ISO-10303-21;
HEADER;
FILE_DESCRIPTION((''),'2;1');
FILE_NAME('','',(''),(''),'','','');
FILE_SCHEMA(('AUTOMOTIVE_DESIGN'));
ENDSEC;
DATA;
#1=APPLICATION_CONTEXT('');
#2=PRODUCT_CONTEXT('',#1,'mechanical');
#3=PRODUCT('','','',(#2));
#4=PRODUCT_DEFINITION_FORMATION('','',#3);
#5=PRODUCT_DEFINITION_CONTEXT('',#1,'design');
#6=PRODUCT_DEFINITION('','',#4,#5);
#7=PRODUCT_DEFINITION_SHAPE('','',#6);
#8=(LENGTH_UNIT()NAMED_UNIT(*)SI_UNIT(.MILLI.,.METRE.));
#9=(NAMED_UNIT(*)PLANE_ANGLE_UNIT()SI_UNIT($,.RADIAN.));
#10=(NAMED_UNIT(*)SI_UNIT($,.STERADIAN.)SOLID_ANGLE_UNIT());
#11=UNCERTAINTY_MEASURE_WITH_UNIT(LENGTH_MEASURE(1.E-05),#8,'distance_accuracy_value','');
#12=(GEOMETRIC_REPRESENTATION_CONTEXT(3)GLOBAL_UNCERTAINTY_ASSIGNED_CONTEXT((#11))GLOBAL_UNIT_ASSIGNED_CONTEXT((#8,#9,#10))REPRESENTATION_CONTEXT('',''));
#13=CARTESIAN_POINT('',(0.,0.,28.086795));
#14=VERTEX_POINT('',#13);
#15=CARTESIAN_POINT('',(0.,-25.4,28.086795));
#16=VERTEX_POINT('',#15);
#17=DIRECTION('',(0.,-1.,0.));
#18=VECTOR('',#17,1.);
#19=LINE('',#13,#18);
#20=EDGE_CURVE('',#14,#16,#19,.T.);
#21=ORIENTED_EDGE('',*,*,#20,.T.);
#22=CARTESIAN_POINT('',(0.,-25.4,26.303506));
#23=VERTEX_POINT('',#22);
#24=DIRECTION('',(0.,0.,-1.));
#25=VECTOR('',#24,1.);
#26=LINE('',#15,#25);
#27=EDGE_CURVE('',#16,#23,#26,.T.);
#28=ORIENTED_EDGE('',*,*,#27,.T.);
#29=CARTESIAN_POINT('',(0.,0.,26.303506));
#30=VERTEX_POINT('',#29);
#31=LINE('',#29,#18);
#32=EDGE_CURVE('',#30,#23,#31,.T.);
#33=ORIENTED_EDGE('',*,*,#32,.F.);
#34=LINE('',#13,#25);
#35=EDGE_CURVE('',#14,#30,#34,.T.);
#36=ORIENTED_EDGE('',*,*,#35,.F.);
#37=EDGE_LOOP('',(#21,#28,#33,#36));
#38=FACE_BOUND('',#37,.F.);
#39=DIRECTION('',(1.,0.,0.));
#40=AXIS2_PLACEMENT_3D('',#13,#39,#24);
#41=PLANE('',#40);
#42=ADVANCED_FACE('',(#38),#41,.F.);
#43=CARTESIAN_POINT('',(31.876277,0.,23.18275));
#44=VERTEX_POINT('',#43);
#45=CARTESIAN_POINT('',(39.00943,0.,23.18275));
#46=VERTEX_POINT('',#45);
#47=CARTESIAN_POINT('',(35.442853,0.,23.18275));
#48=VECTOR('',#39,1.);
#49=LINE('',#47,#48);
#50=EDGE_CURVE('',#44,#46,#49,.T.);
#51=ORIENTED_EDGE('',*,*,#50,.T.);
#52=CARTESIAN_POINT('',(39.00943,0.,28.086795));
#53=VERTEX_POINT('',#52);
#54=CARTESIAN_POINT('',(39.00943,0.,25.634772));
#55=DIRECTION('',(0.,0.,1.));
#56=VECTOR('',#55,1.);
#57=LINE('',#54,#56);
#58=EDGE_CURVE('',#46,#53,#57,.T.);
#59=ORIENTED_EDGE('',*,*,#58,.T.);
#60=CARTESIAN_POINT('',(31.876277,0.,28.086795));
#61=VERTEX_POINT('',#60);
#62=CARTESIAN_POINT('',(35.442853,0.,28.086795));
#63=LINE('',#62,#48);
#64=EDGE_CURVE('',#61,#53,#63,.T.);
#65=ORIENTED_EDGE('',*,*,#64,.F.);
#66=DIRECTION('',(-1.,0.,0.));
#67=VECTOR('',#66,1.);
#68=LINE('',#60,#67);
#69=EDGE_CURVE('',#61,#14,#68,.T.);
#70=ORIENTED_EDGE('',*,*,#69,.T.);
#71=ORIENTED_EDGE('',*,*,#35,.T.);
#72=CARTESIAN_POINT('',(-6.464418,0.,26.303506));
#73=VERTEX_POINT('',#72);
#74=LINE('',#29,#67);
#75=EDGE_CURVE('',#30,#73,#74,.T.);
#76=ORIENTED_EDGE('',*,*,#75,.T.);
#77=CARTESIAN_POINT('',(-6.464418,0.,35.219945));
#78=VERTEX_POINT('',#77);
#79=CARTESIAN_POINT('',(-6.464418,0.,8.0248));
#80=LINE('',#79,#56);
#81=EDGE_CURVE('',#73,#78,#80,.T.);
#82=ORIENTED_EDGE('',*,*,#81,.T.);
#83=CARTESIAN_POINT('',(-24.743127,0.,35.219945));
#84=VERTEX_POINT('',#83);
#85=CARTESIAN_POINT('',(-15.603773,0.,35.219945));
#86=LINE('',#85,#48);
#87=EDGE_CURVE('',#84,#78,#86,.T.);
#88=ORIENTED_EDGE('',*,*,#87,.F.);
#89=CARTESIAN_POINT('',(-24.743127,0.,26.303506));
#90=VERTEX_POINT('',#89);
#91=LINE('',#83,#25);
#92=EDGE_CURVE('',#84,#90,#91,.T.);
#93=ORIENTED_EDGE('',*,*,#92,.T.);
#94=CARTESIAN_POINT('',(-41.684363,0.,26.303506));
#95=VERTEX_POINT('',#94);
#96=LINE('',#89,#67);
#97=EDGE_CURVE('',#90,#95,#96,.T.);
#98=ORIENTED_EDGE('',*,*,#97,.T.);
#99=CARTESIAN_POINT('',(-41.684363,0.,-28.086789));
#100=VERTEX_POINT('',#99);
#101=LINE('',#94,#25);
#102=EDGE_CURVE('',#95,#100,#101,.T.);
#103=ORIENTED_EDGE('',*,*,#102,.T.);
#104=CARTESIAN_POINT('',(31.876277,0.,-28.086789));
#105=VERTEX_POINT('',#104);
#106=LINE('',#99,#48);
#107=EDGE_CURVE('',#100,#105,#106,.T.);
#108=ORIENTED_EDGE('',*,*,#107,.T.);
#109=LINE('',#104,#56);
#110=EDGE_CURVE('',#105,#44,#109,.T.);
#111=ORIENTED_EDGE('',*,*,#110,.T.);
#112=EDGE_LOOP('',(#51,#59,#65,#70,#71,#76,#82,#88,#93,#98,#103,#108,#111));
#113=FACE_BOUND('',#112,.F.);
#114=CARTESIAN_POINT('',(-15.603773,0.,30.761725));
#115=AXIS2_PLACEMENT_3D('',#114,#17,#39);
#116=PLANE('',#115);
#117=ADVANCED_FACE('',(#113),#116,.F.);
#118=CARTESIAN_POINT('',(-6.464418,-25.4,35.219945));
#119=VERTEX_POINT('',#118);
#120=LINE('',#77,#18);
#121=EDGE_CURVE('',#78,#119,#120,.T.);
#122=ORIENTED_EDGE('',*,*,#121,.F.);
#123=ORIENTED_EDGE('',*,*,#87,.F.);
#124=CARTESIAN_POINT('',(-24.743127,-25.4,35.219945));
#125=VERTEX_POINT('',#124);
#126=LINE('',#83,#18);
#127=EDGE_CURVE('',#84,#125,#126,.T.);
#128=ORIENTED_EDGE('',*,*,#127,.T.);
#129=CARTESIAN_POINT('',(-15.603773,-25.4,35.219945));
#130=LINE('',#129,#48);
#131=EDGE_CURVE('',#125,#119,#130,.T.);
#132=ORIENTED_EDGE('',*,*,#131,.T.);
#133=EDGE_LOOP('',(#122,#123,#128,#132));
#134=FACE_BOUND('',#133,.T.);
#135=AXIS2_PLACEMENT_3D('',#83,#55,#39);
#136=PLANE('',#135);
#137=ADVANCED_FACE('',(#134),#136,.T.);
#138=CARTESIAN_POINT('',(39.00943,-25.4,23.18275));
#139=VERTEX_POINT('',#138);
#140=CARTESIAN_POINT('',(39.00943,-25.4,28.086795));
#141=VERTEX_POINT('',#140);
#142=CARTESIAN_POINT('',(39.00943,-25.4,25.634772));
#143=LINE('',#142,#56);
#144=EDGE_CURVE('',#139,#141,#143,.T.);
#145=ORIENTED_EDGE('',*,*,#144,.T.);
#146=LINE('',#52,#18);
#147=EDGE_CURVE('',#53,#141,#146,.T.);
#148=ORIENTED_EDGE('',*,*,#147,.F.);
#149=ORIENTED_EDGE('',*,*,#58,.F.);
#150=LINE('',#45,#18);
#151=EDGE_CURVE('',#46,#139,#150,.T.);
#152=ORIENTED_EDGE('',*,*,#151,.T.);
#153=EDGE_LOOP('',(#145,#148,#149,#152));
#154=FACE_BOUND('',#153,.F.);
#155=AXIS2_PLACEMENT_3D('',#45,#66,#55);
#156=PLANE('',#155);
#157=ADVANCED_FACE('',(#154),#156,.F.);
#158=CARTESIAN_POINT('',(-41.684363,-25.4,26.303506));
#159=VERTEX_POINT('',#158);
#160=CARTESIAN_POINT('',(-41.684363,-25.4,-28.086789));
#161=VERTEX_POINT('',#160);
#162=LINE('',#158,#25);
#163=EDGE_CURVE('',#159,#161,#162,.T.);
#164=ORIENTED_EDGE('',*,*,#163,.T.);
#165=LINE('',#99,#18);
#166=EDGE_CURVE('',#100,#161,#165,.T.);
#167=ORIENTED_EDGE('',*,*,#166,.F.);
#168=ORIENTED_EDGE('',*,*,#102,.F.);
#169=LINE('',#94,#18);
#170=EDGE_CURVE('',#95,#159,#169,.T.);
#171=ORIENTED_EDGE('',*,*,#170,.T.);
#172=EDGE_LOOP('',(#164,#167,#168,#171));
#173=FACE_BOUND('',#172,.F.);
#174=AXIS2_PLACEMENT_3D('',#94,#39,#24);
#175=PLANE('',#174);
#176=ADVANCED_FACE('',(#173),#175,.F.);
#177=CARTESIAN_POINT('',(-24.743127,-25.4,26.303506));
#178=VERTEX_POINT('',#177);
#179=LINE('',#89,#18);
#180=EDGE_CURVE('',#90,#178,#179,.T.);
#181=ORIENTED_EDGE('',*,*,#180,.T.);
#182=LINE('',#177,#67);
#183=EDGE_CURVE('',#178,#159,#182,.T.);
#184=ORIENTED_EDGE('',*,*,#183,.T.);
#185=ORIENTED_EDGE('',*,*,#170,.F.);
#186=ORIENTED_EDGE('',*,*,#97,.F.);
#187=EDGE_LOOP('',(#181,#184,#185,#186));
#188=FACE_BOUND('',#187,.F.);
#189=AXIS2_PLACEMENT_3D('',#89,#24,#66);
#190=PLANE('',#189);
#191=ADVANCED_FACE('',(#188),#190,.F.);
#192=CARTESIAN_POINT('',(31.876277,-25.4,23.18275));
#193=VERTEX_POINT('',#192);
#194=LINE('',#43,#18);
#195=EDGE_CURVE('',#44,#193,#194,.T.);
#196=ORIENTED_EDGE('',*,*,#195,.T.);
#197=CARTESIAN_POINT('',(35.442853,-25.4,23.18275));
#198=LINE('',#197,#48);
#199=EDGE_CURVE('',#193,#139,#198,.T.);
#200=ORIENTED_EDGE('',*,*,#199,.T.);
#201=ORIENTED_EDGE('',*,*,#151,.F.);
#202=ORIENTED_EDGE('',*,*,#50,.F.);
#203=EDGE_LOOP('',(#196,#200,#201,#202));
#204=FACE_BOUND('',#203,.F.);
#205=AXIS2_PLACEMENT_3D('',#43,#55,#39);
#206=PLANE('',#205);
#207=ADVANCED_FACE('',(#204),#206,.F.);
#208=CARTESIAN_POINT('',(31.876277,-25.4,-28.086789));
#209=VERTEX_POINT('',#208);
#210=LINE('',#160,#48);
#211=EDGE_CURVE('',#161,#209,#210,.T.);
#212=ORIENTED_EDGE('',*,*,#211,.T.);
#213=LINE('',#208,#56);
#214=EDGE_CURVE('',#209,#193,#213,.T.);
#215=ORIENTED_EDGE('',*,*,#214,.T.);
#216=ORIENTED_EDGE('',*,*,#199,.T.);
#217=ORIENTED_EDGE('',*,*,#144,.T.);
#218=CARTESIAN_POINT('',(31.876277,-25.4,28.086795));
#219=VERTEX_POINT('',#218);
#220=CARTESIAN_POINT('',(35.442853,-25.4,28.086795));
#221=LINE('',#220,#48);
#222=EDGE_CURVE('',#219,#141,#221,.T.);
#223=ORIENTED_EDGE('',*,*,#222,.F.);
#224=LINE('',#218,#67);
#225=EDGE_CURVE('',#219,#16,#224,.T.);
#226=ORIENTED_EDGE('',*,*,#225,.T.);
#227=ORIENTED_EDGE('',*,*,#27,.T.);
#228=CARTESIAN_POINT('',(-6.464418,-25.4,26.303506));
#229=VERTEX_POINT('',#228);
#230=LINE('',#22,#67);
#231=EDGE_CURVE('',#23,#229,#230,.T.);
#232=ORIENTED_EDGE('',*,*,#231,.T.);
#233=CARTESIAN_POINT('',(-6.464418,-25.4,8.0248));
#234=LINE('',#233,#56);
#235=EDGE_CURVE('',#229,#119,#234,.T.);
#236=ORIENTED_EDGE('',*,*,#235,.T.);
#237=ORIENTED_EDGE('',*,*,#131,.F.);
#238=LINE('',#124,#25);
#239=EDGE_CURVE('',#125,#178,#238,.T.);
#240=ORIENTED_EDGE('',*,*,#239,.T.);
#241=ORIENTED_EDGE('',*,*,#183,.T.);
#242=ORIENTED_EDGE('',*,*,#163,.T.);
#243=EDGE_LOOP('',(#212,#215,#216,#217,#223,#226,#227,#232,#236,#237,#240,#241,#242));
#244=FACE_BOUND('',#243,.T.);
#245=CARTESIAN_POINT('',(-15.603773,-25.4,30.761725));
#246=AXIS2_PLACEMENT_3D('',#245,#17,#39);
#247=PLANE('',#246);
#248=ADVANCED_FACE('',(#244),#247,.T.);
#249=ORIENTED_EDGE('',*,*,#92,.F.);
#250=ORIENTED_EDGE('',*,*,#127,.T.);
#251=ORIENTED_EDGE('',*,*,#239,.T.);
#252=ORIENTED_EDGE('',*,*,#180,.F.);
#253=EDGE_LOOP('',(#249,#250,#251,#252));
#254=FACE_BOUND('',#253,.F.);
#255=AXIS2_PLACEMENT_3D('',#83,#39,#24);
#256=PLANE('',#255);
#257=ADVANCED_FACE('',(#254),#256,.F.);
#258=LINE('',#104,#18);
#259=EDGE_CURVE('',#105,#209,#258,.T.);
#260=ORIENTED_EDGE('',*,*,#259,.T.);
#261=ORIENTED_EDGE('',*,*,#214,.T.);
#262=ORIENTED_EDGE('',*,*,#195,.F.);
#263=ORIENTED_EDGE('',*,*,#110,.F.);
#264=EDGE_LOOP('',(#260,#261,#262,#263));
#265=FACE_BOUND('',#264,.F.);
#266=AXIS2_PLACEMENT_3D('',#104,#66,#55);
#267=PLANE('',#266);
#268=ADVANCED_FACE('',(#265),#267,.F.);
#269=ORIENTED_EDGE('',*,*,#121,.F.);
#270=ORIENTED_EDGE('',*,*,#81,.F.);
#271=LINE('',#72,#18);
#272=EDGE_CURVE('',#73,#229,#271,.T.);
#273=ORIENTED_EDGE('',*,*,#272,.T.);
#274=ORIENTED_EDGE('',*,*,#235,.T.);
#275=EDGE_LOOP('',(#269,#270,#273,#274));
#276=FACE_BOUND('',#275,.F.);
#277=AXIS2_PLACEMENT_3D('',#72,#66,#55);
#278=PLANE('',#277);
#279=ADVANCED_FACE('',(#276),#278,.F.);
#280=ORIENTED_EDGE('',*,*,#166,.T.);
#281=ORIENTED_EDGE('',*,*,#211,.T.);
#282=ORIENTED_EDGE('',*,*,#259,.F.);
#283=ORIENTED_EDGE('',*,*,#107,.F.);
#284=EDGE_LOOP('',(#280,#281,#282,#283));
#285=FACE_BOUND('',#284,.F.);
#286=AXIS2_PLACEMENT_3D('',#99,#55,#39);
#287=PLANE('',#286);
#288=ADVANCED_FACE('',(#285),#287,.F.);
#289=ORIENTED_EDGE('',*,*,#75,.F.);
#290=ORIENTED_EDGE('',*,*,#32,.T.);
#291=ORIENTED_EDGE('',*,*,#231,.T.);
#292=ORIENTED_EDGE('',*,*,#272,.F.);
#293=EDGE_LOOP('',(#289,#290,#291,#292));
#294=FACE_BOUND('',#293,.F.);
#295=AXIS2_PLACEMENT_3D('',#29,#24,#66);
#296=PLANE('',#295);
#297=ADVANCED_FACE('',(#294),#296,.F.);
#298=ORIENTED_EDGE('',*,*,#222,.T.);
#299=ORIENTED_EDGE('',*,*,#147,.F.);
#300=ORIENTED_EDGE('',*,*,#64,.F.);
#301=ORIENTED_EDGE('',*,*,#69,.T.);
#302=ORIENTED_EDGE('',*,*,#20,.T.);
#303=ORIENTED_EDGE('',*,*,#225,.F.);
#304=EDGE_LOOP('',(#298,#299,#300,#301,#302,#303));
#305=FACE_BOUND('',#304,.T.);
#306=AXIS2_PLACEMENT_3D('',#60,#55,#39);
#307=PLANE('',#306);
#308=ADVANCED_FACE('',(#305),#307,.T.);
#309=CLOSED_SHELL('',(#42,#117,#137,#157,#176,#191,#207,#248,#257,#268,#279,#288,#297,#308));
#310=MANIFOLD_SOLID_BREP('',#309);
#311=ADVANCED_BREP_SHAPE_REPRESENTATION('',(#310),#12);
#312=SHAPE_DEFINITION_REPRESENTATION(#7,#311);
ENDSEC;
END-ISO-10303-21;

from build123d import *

# Parameters (mm, degrees)
F0_W     = 18.2787082158
F0_H     = 8.9164394885
F0_W_2   = 7.1331523359
F0_H_2   = 4.9040447921
F0_H_3   = 18.2787058875
F0_W_3   = 41.6843630373
F0_H_4   = 28.0867889524
F0_W_4   = 31.8762771785
F1_DEPTH = 25.4


with BuildPart() as f1:
    # F0 (on Front) → F1 (new body)
    with BuildSketch(Plane.XZ):
        with Locations((-15.6037725974, 30.7617252693)):
            Rectangle(F0_W, F0_H)
        with Locations((35.4428533465, 25.6347721443)):
            Rectangle(F0_W_2, F0_H_2)
        with Locations((-15.6037725974, 17.1641525812)):
            Rectangle(F0_W, F0_H_3)
        with Locations((-20.8421815187, -14.0433944762)):
            Rectangle(F0_W_3, F0_H_4)
        Polygon((-41.6843630373, 0), (0, 0), (0, 26.303505525), (-6.4644184895, 26.303505525), (-6.4644184895, 8.0247996375), (-24.7431267053, 8.0247996375), (-24.7431267053, 26.303505525), (-41.6843630373, 26.303505525), align=None)
        Polygon((0, 26.303505525), (0, 0), (31.8762771785, 0), (31.8762771785, 23.1827497482), (31.8762771785, 28.0867945403), (0, 28.0867945403), align=None)
        with Locations((15.9381385893, -14.0433944762)):
            Rectangle(F0_W_4, F0_H_4)
    extrude(amount=F1_DEPTH)


solid = f1.part
